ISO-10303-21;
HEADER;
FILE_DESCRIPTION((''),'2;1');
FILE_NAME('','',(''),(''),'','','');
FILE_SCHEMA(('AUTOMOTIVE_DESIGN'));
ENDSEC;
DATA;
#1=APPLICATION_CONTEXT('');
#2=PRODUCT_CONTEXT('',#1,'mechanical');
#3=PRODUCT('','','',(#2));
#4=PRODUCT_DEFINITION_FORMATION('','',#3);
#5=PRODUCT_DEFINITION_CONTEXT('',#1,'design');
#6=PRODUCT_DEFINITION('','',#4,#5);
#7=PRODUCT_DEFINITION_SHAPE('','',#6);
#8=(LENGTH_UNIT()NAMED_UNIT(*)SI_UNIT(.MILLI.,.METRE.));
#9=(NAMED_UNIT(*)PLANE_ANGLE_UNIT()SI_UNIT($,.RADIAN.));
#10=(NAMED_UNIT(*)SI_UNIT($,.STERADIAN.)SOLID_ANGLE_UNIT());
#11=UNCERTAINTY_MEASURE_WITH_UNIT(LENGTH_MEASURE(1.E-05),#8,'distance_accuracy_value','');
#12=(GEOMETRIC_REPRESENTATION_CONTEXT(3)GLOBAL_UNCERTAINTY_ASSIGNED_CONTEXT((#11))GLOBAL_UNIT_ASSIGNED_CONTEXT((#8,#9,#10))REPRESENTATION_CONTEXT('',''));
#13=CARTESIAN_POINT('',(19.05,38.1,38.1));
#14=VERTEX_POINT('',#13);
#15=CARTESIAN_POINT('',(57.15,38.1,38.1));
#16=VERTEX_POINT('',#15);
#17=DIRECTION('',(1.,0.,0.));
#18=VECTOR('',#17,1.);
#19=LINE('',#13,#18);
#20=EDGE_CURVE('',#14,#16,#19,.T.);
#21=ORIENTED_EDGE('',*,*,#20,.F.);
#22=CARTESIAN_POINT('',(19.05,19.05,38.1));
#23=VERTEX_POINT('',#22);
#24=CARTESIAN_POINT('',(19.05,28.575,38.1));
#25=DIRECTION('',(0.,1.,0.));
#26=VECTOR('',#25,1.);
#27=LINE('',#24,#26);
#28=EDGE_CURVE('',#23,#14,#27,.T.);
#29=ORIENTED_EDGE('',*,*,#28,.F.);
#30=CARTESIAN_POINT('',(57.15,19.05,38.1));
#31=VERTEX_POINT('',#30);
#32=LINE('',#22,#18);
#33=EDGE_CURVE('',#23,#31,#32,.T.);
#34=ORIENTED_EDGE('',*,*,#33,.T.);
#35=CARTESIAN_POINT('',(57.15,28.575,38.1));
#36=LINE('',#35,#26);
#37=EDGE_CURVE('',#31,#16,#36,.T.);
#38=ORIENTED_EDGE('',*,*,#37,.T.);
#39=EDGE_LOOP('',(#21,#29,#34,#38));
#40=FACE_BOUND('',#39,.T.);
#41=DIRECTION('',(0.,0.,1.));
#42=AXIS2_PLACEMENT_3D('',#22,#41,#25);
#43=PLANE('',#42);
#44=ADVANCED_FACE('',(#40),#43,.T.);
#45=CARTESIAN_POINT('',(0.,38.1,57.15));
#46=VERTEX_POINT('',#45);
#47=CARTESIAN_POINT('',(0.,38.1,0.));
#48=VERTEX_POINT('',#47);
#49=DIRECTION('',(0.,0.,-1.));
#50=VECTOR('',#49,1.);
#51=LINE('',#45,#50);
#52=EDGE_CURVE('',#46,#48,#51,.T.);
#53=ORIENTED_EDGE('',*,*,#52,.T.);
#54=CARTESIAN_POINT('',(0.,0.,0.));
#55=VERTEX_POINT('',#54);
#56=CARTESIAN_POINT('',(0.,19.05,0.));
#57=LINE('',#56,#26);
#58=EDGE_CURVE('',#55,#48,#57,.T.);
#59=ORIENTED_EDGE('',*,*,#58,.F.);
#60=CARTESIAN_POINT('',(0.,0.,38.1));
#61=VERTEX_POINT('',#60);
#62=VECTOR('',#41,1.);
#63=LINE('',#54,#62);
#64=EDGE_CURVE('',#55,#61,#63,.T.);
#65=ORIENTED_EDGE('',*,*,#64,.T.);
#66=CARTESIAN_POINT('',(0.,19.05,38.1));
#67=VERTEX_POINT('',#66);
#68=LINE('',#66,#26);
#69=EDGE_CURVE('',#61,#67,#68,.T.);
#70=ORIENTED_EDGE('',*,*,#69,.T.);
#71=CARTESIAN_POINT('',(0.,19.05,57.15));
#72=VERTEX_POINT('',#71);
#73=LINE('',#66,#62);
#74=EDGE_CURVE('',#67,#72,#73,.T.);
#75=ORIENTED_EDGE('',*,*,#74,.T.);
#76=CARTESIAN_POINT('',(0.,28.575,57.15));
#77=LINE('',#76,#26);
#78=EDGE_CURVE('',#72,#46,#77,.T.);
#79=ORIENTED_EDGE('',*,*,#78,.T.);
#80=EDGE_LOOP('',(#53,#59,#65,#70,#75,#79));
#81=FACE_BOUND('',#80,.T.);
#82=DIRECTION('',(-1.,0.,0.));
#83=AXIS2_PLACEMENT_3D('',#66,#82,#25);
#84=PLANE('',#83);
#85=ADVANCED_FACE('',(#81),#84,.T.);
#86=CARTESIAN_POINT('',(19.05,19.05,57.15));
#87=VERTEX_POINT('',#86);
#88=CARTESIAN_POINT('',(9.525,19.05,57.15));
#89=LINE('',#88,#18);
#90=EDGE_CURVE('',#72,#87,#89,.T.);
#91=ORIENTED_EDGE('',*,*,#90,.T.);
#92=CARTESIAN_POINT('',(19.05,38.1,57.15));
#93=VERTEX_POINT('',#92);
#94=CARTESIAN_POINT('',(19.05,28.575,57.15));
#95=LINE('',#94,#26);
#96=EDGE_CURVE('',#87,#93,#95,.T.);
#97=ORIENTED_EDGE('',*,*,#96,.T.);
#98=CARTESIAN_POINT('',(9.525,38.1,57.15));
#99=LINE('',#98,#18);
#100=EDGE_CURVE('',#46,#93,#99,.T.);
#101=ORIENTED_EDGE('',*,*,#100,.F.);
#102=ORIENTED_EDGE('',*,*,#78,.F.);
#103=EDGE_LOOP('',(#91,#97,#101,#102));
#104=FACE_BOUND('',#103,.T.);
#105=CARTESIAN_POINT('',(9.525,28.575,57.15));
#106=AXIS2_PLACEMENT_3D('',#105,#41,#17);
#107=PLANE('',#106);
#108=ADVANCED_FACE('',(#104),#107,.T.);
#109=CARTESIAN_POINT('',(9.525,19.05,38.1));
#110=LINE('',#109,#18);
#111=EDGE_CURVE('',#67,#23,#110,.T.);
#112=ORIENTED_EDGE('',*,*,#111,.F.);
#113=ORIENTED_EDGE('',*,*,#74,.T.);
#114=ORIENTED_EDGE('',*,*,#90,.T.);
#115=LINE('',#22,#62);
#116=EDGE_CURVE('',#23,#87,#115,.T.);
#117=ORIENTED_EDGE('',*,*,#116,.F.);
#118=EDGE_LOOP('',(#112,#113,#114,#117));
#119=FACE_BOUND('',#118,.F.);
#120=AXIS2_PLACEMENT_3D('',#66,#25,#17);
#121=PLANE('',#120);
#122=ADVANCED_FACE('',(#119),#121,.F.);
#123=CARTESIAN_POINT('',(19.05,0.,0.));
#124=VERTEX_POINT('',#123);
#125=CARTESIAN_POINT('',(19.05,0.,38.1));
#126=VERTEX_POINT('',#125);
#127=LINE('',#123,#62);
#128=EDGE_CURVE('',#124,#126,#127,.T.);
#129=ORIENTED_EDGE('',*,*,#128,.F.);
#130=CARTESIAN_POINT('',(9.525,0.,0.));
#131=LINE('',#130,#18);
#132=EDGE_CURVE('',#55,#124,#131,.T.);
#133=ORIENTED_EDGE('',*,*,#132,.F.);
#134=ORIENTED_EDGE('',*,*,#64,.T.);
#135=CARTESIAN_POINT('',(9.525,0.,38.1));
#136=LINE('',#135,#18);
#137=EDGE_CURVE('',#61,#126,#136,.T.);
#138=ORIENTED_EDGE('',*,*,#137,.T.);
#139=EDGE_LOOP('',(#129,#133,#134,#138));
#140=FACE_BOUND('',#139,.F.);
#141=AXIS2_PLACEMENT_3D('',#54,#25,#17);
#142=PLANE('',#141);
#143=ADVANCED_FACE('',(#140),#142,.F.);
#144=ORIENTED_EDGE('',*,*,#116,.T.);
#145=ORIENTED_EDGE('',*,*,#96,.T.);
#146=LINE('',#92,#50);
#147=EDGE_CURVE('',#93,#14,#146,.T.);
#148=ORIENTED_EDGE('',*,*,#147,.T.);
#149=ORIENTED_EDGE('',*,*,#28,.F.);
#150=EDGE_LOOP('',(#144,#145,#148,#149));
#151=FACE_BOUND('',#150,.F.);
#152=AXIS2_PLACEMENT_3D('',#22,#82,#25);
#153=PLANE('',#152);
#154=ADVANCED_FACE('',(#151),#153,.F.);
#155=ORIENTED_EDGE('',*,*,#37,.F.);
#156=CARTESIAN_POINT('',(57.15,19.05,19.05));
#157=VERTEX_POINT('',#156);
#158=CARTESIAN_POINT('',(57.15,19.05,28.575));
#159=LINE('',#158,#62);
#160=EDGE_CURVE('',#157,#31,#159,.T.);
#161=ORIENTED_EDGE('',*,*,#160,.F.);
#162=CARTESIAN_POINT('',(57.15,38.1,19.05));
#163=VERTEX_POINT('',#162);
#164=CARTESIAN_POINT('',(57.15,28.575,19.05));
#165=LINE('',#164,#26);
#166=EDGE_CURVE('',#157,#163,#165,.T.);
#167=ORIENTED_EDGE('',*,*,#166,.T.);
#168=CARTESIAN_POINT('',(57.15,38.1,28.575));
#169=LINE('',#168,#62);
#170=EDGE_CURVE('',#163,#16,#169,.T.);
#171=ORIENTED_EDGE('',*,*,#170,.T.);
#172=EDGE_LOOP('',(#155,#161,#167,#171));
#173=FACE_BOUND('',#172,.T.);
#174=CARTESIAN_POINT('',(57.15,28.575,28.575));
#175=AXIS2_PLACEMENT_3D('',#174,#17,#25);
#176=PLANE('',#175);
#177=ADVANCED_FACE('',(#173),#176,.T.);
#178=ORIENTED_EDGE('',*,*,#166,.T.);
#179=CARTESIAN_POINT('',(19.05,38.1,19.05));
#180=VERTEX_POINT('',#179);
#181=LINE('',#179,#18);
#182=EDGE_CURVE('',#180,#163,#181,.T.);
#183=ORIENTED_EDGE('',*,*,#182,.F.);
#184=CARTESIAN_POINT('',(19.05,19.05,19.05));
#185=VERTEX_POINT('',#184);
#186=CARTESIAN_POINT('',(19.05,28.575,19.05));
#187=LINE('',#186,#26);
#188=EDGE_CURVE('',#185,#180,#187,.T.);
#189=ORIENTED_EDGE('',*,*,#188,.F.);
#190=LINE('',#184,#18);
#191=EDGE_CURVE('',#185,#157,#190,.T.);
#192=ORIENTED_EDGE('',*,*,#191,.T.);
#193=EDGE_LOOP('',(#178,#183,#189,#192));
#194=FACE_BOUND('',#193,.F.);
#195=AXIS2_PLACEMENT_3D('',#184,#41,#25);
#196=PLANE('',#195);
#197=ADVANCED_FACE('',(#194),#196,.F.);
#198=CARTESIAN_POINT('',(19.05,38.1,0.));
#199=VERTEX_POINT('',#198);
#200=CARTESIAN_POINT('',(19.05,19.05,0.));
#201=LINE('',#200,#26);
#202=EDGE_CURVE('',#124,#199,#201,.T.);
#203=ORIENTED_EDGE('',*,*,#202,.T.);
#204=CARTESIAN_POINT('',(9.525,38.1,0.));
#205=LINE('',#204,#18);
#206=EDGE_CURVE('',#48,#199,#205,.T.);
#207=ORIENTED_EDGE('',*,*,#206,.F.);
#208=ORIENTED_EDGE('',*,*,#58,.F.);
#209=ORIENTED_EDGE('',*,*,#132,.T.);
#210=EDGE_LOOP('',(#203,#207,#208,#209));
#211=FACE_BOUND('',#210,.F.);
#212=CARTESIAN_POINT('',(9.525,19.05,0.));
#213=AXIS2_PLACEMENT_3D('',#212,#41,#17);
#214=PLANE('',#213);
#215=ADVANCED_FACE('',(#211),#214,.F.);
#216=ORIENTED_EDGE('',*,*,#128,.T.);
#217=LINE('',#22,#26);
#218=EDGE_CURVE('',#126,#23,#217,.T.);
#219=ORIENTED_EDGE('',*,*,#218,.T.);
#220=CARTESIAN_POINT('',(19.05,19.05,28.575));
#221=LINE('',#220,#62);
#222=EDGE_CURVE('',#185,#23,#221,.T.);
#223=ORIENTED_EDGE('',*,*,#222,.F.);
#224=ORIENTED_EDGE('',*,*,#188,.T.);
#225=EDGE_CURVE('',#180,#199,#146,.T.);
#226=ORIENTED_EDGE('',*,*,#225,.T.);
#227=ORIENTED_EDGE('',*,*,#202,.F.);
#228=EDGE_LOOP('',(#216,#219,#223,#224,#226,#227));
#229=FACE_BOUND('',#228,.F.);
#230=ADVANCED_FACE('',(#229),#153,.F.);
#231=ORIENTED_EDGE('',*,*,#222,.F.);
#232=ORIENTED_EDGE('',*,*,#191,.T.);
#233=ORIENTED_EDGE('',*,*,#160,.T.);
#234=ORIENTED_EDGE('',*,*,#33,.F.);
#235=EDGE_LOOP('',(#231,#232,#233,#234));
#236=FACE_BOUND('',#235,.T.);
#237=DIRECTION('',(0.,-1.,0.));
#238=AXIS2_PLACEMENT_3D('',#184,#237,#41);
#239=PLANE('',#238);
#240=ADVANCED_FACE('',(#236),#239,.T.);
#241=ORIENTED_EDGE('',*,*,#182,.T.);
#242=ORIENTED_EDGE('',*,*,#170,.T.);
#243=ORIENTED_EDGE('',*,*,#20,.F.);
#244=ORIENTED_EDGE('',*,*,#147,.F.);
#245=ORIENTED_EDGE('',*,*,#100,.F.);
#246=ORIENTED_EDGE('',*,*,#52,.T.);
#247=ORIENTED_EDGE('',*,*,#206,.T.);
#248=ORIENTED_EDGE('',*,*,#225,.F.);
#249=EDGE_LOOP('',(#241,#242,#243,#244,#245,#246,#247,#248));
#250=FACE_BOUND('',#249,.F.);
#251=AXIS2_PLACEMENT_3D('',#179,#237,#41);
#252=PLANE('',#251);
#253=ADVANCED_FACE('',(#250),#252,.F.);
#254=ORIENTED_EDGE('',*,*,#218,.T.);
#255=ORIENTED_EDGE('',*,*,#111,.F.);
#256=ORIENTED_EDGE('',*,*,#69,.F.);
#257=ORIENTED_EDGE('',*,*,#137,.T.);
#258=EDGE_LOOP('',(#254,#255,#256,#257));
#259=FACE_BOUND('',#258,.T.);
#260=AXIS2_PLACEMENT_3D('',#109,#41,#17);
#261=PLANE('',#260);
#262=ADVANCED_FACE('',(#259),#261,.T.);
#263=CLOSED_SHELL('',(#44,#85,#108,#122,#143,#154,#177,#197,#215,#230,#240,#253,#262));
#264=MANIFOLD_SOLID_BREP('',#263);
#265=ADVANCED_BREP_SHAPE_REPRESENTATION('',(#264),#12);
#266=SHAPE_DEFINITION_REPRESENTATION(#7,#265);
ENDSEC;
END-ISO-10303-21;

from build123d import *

# Parameters (mm, degrees)
F0_W     = 19.05
F0_H     = 38.1
F1_DEPTH = 38.1
F2_W     = 19.05
F2_H     = 19.05
F3_DEPTH = 19.05
F4_W     = 19.05
F4_H     = 19.05
F5_DEPTH = 38.1


with BuildPart() as f1:
    # F0 (on Top) → F1 (new body)
    with BuildSketch(Plane.XY):
        with Locations((9.525, 19.05)):
            Rectangle(F0_W, F0_H)
    extrude(amount=F1_DEPTH)

    # F2 (on face) → F3 (join)
    with BuildSketch(Plane.XY.offset(38.1)):
        with Locations((9.525, 28.575)):
            Rectangle(F2_W, F2_H)
    extrude(amount=F3_DEPTH)

    # F4 (on face) → F5 (join)
    with BuildSketch(Plane.YZ.offset(19.05)):
        with Locations((28.575, 28.575)):
            Rectangle(F4_W, F4_H)
    extrude(amount=F5_DEPTH)


solid = f1.part
